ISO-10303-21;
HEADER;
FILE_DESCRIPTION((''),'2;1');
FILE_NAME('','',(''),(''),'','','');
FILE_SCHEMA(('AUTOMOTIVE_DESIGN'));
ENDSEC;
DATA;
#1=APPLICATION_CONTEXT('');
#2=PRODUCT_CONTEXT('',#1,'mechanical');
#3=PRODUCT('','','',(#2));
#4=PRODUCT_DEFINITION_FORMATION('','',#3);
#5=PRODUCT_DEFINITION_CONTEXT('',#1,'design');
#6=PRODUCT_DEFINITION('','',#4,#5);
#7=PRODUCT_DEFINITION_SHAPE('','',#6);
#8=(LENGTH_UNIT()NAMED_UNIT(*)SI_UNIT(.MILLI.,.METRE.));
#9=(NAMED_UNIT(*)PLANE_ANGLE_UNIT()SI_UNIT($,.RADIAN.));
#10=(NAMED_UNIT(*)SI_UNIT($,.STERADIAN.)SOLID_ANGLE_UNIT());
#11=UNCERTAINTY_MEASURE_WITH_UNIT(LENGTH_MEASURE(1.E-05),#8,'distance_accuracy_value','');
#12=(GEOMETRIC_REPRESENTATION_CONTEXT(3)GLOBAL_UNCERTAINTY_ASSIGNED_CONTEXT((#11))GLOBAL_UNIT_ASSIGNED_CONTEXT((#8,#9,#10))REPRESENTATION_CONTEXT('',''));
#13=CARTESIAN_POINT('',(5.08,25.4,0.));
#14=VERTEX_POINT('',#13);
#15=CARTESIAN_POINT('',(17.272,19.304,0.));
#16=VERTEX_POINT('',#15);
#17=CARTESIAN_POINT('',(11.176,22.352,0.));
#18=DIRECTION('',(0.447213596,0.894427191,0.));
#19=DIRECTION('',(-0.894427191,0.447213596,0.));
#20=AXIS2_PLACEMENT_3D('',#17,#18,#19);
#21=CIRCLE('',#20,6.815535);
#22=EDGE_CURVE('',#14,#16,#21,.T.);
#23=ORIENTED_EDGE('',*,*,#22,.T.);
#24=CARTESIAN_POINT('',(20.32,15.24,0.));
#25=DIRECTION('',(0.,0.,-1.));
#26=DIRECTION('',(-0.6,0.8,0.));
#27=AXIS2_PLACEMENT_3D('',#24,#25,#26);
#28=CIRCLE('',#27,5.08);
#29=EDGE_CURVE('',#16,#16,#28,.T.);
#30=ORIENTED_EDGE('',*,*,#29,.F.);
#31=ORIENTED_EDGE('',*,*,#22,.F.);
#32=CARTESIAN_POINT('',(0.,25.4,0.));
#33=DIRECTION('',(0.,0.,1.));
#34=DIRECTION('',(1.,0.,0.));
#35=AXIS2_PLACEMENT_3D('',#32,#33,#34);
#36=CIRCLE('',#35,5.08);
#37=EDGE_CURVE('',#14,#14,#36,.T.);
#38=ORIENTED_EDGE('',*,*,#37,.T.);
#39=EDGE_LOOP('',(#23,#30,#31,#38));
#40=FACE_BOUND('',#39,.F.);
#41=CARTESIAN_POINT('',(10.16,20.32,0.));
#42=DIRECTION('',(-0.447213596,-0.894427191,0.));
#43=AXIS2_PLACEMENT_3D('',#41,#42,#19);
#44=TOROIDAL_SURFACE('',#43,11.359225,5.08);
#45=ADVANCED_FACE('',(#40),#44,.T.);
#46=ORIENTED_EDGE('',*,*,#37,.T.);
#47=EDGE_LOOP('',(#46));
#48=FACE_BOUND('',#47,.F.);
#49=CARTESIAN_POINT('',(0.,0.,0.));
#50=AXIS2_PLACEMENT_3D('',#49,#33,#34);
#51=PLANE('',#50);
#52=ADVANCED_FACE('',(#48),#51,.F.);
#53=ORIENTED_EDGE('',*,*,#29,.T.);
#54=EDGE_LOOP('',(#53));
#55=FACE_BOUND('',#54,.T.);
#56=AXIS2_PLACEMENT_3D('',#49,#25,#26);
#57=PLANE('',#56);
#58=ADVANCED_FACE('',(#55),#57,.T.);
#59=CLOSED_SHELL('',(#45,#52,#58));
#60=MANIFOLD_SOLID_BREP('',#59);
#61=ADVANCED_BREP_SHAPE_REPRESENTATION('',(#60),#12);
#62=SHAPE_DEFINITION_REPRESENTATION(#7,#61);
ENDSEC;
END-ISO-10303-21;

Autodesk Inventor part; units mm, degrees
ref_plane "YZ Plane" through (0, 0, 0) normal (1, 0, 0) x (0, 1, 0)
ref_plane "XZ Plane" through (0, 0, 0) normal (0, 1, 0) x (-1, 0, 0)
ref_plane "XY Plane" through (0, 0, 0) normal (0, 0, 1) x (1, 0, 0)
sketch "Sketch1" plane through (0, 0, 0) normal (0, 0, 1) x (1, 0, 0)
  circle A0 centre (0, 25.4) radius 5.08
  line L0 (0, 0) -> (6.35, 12.7)
  dimension "d0" = 0
revolve "Revolution1" add sketch "Sketch1" angle 180 about axis through (0, 0, 0) along (0.4472, 0.8944, 0)
properties part number "Half Off-Axis Donut Revolve Demo"
